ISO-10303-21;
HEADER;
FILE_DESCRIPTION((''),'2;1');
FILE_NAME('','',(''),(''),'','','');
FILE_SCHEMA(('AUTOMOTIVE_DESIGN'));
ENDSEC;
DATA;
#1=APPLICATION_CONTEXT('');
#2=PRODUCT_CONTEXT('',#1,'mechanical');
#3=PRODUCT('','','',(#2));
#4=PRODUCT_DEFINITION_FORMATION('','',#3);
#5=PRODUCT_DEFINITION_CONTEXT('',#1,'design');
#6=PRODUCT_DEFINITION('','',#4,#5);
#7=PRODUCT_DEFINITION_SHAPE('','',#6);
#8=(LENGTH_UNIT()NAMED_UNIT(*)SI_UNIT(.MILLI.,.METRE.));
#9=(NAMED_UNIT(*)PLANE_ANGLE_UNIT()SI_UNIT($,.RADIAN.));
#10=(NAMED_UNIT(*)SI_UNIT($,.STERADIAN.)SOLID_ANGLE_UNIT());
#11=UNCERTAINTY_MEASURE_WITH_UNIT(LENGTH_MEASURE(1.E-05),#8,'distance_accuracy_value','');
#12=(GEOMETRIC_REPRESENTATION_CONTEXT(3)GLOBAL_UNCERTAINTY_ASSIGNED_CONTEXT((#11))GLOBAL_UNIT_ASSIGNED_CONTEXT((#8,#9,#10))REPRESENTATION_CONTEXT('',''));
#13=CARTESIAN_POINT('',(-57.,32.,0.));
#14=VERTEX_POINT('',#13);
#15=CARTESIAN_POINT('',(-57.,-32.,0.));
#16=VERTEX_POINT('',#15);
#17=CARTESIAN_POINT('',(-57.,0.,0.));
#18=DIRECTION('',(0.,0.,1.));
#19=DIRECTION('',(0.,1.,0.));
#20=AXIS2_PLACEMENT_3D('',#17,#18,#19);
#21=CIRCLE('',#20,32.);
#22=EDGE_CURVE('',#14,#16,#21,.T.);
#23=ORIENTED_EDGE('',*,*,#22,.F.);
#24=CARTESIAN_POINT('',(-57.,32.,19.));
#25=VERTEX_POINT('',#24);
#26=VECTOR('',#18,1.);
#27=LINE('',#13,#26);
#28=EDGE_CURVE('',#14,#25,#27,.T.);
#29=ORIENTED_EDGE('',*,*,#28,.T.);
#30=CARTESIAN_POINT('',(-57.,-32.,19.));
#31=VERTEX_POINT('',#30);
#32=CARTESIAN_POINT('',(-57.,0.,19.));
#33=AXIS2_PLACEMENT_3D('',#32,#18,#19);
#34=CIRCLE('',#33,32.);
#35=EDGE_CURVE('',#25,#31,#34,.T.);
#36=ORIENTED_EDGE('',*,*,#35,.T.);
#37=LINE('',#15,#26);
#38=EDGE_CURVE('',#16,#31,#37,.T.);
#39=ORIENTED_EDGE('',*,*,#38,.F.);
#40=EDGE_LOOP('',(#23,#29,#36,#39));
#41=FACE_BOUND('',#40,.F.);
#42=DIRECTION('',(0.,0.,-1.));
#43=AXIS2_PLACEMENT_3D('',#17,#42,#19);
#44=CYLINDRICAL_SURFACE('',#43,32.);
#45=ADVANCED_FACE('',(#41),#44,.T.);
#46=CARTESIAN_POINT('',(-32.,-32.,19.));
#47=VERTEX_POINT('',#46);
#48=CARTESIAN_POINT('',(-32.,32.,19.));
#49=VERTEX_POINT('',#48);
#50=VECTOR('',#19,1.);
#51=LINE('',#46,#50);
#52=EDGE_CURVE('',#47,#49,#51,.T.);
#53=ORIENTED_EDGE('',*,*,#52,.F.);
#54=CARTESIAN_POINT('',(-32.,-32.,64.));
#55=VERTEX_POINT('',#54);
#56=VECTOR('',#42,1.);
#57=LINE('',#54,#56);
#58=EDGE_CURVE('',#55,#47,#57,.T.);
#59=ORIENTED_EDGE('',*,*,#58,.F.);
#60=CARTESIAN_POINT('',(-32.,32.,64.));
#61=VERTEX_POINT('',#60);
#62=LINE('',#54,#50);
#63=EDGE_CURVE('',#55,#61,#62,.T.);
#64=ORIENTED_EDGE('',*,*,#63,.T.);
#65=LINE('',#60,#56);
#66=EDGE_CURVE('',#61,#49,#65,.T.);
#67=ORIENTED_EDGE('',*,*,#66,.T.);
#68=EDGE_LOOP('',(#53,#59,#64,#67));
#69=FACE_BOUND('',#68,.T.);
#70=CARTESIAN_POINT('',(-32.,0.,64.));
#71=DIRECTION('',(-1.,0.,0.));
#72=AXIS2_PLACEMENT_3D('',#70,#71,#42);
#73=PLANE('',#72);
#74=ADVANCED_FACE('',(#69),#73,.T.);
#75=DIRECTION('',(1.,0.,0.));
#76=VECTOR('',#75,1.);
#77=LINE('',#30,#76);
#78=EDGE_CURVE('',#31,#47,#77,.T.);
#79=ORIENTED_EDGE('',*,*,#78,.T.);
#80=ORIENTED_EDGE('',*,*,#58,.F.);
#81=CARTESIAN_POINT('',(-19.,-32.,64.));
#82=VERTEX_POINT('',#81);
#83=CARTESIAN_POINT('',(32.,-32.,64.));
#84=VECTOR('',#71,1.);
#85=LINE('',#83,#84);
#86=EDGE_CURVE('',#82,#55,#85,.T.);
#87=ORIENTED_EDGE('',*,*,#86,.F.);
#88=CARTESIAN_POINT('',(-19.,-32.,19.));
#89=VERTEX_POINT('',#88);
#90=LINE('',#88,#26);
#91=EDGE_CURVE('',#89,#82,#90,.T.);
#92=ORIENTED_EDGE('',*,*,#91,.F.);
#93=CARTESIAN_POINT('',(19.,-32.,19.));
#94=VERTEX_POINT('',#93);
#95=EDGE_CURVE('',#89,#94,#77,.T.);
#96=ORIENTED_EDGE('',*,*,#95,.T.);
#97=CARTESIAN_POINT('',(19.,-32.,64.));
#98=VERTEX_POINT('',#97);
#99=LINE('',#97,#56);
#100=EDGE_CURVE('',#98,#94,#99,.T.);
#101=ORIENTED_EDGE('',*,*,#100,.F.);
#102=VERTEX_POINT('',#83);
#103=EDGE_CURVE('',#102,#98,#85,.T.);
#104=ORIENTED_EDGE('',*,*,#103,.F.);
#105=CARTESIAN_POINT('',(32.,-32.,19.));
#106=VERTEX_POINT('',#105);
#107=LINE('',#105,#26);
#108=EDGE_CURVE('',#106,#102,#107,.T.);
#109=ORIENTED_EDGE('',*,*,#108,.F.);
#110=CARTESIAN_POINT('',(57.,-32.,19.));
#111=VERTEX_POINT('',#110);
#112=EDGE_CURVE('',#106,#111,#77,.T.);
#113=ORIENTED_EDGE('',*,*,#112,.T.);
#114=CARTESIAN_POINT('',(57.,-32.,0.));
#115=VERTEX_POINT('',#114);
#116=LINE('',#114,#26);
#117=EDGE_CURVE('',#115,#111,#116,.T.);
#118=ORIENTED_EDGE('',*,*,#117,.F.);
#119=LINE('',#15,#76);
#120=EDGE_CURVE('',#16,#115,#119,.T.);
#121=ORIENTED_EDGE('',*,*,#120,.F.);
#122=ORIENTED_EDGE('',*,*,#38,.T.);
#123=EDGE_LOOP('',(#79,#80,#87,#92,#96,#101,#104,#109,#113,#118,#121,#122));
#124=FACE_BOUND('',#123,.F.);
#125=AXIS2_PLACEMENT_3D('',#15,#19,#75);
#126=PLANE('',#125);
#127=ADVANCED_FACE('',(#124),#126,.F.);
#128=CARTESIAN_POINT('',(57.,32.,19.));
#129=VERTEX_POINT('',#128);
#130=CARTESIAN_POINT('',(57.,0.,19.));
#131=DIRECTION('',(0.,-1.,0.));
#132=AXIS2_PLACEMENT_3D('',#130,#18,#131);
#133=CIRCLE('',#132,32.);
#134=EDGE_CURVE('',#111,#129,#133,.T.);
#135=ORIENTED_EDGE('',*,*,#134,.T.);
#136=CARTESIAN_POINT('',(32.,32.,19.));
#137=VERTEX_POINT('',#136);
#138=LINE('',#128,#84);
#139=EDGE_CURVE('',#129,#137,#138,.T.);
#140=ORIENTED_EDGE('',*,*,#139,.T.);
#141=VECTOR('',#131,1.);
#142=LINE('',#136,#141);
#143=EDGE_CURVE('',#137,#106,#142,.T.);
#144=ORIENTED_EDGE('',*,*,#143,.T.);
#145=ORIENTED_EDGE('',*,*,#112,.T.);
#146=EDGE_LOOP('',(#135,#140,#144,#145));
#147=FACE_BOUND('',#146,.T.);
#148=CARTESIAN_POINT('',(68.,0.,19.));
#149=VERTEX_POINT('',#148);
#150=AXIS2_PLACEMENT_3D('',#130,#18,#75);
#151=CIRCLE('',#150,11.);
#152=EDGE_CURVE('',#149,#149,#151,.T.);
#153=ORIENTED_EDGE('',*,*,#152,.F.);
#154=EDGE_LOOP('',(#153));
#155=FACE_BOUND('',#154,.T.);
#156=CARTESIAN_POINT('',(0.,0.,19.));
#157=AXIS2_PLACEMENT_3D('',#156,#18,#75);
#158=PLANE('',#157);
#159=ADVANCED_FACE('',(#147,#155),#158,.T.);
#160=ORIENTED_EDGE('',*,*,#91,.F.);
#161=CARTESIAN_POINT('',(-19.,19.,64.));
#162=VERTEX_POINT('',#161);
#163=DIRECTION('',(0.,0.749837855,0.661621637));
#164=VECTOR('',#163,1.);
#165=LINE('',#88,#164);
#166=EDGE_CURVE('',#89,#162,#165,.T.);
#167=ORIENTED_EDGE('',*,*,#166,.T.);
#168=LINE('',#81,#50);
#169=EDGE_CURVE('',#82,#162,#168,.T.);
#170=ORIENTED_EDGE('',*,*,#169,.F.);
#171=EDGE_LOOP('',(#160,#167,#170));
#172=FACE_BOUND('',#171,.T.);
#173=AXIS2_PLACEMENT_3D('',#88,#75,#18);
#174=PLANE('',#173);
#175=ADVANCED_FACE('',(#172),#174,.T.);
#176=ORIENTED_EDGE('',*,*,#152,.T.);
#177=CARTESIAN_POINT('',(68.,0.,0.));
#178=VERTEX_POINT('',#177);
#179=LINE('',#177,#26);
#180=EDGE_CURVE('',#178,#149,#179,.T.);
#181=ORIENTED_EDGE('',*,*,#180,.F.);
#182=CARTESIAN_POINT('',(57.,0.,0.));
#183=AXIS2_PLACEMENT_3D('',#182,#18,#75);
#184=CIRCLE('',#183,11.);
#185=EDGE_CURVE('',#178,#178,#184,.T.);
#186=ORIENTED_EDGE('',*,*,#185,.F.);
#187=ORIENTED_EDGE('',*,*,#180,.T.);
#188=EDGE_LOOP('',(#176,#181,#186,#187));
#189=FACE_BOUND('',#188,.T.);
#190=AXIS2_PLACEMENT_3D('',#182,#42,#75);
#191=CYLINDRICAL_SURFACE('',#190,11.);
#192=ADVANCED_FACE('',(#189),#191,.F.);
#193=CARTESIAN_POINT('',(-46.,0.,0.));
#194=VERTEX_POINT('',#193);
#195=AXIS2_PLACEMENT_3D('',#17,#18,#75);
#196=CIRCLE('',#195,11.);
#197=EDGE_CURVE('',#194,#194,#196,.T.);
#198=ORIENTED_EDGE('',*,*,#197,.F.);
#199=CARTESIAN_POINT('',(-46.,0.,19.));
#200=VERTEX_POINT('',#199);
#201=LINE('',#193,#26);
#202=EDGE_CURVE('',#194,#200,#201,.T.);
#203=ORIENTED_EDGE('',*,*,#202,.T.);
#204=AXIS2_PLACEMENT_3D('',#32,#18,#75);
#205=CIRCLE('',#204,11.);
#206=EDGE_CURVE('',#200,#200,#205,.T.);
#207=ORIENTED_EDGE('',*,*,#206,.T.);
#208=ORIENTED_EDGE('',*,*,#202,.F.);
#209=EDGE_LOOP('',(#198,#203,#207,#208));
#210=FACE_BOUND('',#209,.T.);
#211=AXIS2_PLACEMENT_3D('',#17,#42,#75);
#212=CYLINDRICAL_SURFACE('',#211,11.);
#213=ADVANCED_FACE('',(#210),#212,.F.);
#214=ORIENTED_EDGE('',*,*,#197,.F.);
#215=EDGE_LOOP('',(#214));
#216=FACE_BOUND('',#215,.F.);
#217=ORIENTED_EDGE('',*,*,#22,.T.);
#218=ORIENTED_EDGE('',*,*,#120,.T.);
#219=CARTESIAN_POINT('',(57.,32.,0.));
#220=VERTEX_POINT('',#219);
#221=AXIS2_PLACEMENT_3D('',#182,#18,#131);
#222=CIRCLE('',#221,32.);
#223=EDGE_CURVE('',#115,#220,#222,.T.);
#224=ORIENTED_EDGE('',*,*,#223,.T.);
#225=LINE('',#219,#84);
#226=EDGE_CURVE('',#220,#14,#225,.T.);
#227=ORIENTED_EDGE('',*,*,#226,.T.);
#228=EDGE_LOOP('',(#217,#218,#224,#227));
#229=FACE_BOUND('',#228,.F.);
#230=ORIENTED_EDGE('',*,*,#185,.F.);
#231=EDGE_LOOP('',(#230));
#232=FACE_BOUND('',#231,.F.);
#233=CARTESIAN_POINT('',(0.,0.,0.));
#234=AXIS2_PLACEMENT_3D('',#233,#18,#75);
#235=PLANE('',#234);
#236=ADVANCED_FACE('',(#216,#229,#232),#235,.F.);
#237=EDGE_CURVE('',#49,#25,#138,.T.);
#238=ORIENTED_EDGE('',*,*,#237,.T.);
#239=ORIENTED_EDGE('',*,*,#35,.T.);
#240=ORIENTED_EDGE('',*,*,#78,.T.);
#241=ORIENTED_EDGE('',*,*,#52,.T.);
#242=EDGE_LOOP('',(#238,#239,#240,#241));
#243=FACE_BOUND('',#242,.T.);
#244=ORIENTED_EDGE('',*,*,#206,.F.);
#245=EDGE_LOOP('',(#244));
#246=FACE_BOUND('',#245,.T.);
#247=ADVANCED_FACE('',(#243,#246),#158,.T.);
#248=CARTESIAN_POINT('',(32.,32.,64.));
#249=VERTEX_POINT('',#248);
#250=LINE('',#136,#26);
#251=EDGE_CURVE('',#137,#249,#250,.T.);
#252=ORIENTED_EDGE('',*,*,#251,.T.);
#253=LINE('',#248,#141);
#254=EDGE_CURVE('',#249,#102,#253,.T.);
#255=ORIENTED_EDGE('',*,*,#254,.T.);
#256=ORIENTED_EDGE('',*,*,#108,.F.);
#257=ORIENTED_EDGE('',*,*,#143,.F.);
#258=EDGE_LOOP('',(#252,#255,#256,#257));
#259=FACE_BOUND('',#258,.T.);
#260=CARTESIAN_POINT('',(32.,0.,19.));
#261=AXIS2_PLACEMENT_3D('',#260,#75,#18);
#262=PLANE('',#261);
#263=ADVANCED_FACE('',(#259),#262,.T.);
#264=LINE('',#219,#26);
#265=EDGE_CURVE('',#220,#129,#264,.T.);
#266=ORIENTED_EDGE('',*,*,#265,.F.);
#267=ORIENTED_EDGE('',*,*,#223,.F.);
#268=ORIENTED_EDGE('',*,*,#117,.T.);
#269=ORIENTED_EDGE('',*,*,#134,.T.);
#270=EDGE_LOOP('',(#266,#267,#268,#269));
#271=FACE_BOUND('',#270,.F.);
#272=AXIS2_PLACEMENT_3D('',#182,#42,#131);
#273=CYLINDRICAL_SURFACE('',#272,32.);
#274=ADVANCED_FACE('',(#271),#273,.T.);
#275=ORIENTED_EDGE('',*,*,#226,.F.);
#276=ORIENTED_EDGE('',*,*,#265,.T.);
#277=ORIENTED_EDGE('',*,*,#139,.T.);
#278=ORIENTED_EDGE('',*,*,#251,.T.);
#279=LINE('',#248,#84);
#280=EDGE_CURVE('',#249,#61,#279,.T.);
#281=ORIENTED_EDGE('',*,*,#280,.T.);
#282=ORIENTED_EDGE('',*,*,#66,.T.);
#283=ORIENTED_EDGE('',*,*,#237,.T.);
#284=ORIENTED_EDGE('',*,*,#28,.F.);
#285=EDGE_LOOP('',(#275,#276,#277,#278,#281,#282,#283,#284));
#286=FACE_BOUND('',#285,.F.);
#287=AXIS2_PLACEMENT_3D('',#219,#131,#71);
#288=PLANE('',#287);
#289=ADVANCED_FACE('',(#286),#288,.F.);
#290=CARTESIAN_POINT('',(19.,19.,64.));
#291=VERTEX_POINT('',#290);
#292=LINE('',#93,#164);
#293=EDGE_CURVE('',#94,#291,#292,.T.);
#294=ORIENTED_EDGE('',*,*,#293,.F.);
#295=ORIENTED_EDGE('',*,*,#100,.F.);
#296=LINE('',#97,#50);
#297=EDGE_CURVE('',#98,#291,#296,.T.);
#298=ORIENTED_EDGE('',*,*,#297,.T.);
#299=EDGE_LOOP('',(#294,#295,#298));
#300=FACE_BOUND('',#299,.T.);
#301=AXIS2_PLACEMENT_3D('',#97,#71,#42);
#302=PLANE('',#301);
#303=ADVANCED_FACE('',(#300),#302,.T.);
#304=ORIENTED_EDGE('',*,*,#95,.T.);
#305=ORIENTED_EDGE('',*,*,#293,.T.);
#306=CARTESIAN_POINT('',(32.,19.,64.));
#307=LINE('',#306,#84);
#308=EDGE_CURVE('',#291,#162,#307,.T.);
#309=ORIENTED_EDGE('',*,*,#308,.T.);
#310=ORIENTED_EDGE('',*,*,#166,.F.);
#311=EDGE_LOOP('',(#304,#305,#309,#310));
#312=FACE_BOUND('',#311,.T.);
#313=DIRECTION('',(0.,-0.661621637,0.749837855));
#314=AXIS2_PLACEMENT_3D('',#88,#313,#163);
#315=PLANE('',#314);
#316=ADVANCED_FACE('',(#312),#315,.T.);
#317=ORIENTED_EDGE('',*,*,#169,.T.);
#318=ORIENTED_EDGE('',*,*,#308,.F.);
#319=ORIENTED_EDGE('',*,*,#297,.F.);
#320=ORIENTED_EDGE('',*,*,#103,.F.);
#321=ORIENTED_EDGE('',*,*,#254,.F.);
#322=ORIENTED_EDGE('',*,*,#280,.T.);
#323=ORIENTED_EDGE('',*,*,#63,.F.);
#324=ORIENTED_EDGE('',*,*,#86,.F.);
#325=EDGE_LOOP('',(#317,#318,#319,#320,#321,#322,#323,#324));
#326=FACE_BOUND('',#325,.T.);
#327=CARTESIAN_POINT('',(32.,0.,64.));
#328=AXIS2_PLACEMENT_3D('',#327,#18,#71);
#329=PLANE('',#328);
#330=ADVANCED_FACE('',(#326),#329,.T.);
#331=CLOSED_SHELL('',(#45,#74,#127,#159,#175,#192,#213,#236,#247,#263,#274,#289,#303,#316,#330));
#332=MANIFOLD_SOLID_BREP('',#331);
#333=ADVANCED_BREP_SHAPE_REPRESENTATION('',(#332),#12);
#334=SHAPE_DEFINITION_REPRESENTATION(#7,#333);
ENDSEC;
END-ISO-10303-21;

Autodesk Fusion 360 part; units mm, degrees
sketch "Sketch1" plane through (0, 0, 0) normal (0, 0, 1) x (1, 0, 0)
  line L0 (57, 32) -> (-57, 32)
  line L1 (-57, -32) -> (57, -32)
  circle A0 centre (57, 0) radius 11
  circle A1 centre (-57, 0) radius 11
  arc A2 (-57, 32) -> (-57, -32) centre (-57, 0) ccw
  arc A3 (57, -32) -> (57, 32) centre (57, 0) ccw
  dimension "d1" = 114
  dimension "d2" = 64
  dimension "d4" = 32
  dimension "d5" = 22
  dimension "d7" = 32
  dimension "d8" = 22
extrude "Extrude1" add sketch "Sketch1" along normal blind 19 makes body 1
sketch "Sketch2" plane through (0, 0, 0) normal (0, 1, 0) x (1, 0, 0)
  line L0 (-32, -19) -> (32, -19)
  line L1 (32, -19) -> (32, -64)
  line L2 (32, -64) -> (-32, -64)
  line L3 (-32, -64) -> (-32, -19)
  line L4 (-57, -19) -> (57, -19)
  dimension "d11" = 64
  dimension "d12" = 45
extrude "Extrude2" add sketch "Sketch2" along normal mid plane 64 separate body makes body 2
sketch "Sketch3" plane through (0, -32, 0) normal (0, -1, 0) x (1, 0, 0)
  line L0 (32, 64) -> (-32, 64)
  line L1 (-32, 64) -> (-32, 19)
  line L2 (-32, 19) -> (32, 19)
  line L3 (32, 19) -> (32, 64)
  line L4 (-19, 64) -> (19, 64)
  line L5 (19, 64) -> (19, 19)
  line L6 (19, 19) -> (-19, 19)
  line L7 (-19, 19) -> (-19, 64)
  dimension "d15" = 38
  dimension "d16" = 45
extrude "Extrude3" cut sketch "Sketch3" against normal blind 51 contours L0 L2 L4 L5 L6 L7 bodies 2
sketch "Sketch4" plane through (-19, 0, 0) normal (1, 0, 0) x (0, 1, 0)
  line L0 (-32, 64) -> (-32, 19)
  line L1 (-32, 19) -> (19, 19)
  line L2 (19, 19) -> (19, 64)
  line L3 (19, 64) -> (-32, 64)
  line L4 (-32, 19) -> (19, 19)
  line L5 (19, 19) -> (19, 64)
  line L6 (-32, 19) -> (19, 64)
  dimension "d19" = 51
  dimension "d20" = 45
extrude "Extrude4" add sketch "Sketch4" along normal blind 38 contours L1 L2 L4 L5 L6 bodies 1 2
equation "d12 = 64 mm - 19 mm"
equation "d16 = 64 mm - 19 mm"
